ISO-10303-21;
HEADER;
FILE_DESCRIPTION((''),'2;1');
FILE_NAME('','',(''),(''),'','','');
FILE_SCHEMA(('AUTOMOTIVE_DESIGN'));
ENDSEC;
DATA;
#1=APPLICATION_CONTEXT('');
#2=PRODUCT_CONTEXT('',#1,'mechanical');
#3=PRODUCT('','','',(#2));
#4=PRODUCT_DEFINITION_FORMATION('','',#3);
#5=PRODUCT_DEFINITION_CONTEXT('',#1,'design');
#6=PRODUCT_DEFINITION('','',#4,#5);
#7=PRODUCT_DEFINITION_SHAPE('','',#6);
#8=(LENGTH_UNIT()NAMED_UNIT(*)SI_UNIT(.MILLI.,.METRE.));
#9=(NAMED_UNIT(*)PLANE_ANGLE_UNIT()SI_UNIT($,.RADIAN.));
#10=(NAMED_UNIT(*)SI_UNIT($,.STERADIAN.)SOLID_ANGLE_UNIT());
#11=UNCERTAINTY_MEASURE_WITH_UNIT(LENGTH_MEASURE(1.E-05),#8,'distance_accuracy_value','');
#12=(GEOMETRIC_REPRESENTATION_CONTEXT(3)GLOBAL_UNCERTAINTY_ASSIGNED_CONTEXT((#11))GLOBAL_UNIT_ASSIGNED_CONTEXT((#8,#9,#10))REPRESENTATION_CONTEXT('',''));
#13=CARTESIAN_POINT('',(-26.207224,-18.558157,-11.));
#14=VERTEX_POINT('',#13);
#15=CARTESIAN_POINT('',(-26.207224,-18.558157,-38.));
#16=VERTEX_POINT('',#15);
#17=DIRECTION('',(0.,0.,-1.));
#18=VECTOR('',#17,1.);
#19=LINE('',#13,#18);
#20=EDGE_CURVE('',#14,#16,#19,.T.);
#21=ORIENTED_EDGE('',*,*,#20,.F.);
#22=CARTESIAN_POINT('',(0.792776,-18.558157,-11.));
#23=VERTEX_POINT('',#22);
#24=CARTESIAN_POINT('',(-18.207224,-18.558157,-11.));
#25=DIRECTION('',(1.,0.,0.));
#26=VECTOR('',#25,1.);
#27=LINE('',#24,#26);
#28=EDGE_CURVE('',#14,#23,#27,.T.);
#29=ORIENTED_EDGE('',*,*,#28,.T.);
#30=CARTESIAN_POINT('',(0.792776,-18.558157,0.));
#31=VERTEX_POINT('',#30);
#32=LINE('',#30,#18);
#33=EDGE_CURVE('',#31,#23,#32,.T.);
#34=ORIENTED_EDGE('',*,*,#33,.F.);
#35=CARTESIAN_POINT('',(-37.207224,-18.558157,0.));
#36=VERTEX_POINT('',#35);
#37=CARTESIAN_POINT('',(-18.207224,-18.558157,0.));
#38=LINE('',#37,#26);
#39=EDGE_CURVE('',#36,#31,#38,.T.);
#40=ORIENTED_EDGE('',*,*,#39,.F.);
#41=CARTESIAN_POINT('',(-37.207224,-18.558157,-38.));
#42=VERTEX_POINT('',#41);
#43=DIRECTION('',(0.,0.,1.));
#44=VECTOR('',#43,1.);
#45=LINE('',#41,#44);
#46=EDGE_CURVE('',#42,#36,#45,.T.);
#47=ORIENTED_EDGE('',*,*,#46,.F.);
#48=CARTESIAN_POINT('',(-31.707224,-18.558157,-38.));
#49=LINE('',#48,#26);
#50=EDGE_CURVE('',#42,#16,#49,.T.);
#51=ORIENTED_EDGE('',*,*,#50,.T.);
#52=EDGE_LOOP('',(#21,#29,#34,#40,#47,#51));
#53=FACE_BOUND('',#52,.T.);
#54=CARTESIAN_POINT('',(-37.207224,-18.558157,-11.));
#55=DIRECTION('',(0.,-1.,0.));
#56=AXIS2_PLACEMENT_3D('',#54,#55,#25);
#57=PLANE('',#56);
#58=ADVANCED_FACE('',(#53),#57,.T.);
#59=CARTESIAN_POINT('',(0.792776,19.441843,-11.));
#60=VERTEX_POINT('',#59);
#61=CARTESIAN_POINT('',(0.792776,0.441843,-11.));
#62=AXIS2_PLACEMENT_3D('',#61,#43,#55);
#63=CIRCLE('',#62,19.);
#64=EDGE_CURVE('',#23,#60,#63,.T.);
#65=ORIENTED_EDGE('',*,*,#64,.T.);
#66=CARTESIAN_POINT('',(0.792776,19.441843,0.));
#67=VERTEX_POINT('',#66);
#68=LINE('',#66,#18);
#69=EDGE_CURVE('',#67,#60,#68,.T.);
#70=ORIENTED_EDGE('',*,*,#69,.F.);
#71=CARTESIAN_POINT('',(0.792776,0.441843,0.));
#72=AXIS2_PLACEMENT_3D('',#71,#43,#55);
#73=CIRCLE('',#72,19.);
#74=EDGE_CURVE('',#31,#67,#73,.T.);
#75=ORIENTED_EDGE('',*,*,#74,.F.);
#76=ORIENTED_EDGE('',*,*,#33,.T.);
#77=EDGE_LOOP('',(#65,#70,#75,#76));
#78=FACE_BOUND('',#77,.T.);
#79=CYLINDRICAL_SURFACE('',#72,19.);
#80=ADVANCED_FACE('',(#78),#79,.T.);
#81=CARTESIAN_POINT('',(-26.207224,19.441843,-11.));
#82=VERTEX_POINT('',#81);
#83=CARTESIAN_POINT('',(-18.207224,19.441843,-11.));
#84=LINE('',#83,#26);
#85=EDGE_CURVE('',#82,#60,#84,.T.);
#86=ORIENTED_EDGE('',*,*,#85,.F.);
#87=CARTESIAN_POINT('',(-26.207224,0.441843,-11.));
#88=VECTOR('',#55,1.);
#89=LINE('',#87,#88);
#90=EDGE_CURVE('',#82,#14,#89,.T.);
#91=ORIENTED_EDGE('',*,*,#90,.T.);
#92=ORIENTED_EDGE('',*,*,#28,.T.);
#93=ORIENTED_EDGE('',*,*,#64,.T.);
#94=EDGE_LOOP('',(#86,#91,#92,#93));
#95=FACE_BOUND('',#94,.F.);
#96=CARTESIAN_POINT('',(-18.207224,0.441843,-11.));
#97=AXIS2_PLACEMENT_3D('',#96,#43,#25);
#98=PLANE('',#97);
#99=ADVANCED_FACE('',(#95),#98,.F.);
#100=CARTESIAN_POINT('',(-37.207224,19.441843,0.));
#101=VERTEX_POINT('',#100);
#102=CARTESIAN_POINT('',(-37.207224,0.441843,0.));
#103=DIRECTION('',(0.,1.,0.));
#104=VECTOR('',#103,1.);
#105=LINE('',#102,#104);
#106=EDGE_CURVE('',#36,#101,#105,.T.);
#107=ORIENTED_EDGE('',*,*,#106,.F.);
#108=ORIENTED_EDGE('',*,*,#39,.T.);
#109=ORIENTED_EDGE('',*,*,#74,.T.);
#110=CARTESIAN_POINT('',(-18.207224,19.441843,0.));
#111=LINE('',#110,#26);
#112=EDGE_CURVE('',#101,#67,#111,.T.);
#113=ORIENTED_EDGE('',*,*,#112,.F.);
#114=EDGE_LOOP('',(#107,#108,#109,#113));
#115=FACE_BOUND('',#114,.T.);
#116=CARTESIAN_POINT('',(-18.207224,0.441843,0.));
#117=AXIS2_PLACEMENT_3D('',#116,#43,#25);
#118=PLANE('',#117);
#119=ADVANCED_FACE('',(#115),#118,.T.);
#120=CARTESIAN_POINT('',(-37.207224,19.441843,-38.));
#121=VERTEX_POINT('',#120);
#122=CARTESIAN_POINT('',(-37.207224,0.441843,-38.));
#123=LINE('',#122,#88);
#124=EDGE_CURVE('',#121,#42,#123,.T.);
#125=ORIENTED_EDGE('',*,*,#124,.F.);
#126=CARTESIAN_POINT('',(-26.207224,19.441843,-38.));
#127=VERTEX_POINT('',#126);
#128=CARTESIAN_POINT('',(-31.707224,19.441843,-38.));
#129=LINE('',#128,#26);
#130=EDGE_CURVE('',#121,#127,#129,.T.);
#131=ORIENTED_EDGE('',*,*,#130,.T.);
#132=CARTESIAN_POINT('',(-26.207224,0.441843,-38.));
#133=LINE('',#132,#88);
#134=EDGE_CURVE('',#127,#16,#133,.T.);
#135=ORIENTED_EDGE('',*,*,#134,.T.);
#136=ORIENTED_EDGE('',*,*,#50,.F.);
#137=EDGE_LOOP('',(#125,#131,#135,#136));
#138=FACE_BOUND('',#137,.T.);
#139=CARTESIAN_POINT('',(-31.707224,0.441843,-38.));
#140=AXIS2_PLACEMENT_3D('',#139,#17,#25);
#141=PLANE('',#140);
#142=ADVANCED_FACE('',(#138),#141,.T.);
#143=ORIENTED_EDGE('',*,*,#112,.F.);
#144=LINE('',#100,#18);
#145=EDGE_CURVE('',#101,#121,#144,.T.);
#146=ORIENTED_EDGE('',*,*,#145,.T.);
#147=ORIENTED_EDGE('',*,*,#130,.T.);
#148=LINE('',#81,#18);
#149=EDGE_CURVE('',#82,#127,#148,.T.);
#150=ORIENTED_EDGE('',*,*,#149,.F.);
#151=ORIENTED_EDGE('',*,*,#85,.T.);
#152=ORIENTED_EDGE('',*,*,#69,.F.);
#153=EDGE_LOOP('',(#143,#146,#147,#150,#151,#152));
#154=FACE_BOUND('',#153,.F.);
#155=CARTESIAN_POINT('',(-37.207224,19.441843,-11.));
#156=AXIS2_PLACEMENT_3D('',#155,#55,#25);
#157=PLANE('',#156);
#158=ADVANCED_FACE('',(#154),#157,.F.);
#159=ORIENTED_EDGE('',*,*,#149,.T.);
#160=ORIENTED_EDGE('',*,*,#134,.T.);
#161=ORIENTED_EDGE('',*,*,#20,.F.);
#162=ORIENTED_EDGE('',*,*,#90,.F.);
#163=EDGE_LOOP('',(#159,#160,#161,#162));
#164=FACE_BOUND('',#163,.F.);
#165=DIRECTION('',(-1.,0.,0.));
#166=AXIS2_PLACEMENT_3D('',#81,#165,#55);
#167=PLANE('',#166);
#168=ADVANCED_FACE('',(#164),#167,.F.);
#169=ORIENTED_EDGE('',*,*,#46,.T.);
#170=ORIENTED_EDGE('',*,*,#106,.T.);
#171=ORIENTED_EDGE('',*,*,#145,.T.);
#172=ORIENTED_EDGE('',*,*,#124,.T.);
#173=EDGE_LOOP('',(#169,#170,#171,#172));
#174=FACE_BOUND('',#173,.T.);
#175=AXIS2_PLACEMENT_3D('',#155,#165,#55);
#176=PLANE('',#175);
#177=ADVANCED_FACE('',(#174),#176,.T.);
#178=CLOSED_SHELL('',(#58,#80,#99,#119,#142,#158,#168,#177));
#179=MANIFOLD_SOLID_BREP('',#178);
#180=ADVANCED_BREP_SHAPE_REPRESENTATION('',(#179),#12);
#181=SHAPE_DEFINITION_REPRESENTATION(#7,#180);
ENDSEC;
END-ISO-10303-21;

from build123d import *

# Parameters (mm, degrees)
F0_W     = 38
F0_H     = 38
F1_DEPTH = 11
F2_W     = 11
F2_H     = 38
F3_DEPTH = 27


with BuildPart() as f1:
    # F0 (on Top) → F1 (new body)
    with BuildSketch(Plane.XY):
        with Locations((-18.207224, 0.441843)):
            Rectangle(F0_W, F0_H)
        with BuildLine():
            ThreePointArc((0.792776, -18.558157), (19.792776, 0.441843), (0.792776, 19.441843))
            Line((0.792776, 19.441843), (0.792776, -18.558157))
        make_face()
    extrude(amount=-F1_DEPTH)

    # F2 (on face) → F3 (join)
    with BuildSketch(Plane(origin=(0, 0, -11), x_dir=(1, 0, 0), z_dir=(0, 0, -1))):
        with Locations((-31.707224, -0.441843)):
            Rectangle(F2_W, F2_H)
    extrude(amount=F3_DEPTH)


solid = f1.part
